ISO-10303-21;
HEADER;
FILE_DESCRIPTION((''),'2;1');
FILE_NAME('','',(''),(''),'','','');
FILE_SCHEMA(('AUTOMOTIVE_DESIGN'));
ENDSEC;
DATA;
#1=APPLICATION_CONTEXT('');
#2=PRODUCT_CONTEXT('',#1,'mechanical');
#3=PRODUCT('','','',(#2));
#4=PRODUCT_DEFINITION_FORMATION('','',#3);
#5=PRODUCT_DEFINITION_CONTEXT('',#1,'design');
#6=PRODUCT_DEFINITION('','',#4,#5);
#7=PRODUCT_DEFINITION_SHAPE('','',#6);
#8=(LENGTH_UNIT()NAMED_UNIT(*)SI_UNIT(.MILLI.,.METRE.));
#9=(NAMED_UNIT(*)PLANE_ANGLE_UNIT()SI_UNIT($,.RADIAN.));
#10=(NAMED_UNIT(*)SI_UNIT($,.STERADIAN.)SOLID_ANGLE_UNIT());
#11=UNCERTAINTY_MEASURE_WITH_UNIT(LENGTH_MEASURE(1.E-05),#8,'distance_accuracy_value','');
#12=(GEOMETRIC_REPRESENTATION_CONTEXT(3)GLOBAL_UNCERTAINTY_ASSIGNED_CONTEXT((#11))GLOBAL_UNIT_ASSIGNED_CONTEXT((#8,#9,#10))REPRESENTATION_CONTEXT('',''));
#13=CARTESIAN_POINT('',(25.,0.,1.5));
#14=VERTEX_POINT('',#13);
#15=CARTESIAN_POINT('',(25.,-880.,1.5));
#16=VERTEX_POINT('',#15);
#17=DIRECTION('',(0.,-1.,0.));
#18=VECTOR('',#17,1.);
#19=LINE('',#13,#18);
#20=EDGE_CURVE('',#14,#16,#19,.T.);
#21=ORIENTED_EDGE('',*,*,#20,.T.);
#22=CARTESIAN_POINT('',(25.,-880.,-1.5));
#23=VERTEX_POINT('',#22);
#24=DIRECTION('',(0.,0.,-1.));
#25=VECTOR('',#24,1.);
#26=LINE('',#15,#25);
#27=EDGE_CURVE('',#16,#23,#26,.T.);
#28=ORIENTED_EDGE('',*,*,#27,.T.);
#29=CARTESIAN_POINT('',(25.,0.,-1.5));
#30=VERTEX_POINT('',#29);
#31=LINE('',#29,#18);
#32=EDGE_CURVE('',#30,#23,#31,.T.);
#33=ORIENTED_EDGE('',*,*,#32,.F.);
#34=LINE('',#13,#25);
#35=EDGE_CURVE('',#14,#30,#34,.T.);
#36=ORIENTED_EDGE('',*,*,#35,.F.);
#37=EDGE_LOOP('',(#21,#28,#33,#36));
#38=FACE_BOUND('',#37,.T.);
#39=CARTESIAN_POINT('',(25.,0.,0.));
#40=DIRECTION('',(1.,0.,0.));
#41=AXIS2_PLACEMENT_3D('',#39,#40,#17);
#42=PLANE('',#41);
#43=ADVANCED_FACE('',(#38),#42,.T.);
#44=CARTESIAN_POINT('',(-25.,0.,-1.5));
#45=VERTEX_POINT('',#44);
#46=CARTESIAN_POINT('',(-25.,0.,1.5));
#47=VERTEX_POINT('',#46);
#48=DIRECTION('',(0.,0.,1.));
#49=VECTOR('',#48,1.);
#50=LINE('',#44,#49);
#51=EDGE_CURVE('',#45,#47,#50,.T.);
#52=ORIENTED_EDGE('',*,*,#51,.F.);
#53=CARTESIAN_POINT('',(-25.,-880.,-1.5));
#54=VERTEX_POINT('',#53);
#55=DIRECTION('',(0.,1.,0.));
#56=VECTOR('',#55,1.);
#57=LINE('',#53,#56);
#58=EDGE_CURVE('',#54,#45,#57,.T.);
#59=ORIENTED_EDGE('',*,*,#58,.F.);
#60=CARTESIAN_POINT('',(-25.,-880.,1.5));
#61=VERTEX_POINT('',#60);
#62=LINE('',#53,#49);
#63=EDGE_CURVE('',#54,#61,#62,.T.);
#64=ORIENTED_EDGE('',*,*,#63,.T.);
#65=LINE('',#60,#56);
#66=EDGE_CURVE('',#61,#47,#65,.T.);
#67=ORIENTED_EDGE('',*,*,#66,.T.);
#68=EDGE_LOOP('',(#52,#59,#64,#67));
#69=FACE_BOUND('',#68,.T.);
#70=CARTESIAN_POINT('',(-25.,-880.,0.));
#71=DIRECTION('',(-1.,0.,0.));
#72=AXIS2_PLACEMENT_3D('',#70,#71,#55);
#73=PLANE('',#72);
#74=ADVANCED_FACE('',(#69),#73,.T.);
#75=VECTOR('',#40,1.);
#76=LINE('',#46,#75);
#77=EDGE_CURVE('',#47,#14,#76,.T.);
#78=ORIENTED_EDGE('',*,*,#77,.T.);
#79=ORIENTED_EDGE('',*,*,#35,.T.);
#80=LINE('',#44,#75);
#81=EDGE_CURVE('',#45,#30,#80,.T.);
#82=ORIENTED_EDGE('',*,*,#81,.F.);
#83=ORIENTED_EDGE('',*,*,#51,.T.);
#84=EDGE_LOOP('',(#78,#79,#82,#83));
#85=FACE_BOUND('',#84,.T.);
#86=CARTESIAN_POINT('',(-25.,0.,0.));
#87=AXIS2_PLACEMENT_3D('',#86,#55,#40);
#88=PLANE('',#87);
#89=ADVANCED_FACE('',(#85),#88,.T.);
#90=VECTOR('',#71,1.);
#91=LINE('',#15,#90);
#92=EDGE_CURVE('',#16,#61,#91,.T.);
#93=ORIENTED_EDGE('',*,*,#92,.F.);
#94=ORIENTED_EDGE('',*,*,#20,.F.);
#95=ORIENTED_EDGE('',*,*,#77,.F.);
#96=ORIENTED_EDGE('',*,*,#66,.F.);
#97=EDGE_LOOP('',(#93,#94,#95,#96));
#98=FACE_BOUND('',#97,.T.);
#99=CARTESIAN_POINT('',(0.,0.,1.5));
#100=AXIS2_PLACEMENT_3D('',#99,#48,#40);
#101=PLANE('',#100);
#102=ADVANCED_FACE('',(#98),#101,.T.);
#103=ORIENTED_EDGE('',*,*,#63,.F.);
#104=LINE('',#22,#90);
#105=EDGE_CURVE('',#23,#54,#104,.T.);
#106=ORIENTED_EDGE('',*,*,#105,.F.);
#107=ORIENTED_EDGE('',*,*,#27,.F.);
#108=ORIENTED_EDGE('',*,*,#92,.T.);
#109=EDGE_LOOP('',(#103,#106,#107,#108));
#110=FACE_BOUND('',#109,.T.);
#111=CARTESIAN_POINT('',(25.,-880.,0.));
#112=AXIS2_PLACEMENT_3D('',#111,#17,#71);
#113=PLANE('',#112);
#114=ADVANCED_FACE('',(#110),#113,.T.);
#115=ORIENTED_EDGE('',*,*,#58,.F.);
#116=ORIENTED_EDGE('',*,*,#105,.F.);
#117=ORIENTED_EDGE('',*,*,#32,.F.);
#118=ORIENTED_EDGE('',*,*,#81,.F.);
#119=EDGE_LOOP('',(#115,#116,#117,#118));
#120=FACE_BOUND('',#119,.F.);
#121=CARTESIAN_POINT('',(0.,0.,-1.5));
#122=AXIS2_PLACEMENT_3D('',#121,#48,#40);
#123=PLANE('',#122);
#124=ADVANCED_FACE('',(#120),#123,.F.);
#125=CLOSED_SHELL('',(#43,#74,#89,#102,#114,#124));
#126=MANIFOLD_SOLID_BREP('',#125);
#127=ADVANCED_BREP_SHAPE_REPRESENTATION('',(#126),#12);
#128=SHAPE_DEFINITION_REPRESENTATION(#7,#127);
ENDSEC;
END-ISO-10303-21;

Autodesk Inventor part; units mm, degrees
ref_plane "YZ Plane" through (0, 0, 0) normal (1, 0, 0) x (0, 1, 0)
ref_plane "XZ Plane" through (0, 0, 0) normal (0, 1, 0) x (-1, 0, 0)
ref_plane "XY Plane" through (0, 0, 0) normal (0, 0, 1) x (1, 0, 0)
sketch "Sketch1" plane through (0, 0, 0) normal (0, 0, 1) x (1, 0, 0)
  line L0 (-25, 0) -> (25, 0)
  line L1 (25, 0) -> (25, -880)
  line L2 (25, -880) -> (-25, -880)
  line L3 (-25, -880) -> (-25, 0)
  point P0 (0, 0)
  point P1 (0, 0)
  point P2 (-25, -1153.2713)
  dimension "d0" = 50
  dimension "d1" = 880
extrude "Plate1" add sketch "Sketch1" along normal mid plane 3
equation "\"BendReliefWidth\" = Thickness"
equation "\"BendReliefDepth\" = 0.5 * Thickness"
equation "\"CornerReliefSize\" = 4 * Thickness"
equation "\"MinimumRemnant\" = 2 * Thickness"
equation "\"TransitionRadius\" = BendRadius"
equation "\"JacobiRadiusSize\" = BendRadius"
equation "\"GapSize\" = Thickness"
properties part number "MSC 0165 rib cone exit back" material "Stainless Steel"
